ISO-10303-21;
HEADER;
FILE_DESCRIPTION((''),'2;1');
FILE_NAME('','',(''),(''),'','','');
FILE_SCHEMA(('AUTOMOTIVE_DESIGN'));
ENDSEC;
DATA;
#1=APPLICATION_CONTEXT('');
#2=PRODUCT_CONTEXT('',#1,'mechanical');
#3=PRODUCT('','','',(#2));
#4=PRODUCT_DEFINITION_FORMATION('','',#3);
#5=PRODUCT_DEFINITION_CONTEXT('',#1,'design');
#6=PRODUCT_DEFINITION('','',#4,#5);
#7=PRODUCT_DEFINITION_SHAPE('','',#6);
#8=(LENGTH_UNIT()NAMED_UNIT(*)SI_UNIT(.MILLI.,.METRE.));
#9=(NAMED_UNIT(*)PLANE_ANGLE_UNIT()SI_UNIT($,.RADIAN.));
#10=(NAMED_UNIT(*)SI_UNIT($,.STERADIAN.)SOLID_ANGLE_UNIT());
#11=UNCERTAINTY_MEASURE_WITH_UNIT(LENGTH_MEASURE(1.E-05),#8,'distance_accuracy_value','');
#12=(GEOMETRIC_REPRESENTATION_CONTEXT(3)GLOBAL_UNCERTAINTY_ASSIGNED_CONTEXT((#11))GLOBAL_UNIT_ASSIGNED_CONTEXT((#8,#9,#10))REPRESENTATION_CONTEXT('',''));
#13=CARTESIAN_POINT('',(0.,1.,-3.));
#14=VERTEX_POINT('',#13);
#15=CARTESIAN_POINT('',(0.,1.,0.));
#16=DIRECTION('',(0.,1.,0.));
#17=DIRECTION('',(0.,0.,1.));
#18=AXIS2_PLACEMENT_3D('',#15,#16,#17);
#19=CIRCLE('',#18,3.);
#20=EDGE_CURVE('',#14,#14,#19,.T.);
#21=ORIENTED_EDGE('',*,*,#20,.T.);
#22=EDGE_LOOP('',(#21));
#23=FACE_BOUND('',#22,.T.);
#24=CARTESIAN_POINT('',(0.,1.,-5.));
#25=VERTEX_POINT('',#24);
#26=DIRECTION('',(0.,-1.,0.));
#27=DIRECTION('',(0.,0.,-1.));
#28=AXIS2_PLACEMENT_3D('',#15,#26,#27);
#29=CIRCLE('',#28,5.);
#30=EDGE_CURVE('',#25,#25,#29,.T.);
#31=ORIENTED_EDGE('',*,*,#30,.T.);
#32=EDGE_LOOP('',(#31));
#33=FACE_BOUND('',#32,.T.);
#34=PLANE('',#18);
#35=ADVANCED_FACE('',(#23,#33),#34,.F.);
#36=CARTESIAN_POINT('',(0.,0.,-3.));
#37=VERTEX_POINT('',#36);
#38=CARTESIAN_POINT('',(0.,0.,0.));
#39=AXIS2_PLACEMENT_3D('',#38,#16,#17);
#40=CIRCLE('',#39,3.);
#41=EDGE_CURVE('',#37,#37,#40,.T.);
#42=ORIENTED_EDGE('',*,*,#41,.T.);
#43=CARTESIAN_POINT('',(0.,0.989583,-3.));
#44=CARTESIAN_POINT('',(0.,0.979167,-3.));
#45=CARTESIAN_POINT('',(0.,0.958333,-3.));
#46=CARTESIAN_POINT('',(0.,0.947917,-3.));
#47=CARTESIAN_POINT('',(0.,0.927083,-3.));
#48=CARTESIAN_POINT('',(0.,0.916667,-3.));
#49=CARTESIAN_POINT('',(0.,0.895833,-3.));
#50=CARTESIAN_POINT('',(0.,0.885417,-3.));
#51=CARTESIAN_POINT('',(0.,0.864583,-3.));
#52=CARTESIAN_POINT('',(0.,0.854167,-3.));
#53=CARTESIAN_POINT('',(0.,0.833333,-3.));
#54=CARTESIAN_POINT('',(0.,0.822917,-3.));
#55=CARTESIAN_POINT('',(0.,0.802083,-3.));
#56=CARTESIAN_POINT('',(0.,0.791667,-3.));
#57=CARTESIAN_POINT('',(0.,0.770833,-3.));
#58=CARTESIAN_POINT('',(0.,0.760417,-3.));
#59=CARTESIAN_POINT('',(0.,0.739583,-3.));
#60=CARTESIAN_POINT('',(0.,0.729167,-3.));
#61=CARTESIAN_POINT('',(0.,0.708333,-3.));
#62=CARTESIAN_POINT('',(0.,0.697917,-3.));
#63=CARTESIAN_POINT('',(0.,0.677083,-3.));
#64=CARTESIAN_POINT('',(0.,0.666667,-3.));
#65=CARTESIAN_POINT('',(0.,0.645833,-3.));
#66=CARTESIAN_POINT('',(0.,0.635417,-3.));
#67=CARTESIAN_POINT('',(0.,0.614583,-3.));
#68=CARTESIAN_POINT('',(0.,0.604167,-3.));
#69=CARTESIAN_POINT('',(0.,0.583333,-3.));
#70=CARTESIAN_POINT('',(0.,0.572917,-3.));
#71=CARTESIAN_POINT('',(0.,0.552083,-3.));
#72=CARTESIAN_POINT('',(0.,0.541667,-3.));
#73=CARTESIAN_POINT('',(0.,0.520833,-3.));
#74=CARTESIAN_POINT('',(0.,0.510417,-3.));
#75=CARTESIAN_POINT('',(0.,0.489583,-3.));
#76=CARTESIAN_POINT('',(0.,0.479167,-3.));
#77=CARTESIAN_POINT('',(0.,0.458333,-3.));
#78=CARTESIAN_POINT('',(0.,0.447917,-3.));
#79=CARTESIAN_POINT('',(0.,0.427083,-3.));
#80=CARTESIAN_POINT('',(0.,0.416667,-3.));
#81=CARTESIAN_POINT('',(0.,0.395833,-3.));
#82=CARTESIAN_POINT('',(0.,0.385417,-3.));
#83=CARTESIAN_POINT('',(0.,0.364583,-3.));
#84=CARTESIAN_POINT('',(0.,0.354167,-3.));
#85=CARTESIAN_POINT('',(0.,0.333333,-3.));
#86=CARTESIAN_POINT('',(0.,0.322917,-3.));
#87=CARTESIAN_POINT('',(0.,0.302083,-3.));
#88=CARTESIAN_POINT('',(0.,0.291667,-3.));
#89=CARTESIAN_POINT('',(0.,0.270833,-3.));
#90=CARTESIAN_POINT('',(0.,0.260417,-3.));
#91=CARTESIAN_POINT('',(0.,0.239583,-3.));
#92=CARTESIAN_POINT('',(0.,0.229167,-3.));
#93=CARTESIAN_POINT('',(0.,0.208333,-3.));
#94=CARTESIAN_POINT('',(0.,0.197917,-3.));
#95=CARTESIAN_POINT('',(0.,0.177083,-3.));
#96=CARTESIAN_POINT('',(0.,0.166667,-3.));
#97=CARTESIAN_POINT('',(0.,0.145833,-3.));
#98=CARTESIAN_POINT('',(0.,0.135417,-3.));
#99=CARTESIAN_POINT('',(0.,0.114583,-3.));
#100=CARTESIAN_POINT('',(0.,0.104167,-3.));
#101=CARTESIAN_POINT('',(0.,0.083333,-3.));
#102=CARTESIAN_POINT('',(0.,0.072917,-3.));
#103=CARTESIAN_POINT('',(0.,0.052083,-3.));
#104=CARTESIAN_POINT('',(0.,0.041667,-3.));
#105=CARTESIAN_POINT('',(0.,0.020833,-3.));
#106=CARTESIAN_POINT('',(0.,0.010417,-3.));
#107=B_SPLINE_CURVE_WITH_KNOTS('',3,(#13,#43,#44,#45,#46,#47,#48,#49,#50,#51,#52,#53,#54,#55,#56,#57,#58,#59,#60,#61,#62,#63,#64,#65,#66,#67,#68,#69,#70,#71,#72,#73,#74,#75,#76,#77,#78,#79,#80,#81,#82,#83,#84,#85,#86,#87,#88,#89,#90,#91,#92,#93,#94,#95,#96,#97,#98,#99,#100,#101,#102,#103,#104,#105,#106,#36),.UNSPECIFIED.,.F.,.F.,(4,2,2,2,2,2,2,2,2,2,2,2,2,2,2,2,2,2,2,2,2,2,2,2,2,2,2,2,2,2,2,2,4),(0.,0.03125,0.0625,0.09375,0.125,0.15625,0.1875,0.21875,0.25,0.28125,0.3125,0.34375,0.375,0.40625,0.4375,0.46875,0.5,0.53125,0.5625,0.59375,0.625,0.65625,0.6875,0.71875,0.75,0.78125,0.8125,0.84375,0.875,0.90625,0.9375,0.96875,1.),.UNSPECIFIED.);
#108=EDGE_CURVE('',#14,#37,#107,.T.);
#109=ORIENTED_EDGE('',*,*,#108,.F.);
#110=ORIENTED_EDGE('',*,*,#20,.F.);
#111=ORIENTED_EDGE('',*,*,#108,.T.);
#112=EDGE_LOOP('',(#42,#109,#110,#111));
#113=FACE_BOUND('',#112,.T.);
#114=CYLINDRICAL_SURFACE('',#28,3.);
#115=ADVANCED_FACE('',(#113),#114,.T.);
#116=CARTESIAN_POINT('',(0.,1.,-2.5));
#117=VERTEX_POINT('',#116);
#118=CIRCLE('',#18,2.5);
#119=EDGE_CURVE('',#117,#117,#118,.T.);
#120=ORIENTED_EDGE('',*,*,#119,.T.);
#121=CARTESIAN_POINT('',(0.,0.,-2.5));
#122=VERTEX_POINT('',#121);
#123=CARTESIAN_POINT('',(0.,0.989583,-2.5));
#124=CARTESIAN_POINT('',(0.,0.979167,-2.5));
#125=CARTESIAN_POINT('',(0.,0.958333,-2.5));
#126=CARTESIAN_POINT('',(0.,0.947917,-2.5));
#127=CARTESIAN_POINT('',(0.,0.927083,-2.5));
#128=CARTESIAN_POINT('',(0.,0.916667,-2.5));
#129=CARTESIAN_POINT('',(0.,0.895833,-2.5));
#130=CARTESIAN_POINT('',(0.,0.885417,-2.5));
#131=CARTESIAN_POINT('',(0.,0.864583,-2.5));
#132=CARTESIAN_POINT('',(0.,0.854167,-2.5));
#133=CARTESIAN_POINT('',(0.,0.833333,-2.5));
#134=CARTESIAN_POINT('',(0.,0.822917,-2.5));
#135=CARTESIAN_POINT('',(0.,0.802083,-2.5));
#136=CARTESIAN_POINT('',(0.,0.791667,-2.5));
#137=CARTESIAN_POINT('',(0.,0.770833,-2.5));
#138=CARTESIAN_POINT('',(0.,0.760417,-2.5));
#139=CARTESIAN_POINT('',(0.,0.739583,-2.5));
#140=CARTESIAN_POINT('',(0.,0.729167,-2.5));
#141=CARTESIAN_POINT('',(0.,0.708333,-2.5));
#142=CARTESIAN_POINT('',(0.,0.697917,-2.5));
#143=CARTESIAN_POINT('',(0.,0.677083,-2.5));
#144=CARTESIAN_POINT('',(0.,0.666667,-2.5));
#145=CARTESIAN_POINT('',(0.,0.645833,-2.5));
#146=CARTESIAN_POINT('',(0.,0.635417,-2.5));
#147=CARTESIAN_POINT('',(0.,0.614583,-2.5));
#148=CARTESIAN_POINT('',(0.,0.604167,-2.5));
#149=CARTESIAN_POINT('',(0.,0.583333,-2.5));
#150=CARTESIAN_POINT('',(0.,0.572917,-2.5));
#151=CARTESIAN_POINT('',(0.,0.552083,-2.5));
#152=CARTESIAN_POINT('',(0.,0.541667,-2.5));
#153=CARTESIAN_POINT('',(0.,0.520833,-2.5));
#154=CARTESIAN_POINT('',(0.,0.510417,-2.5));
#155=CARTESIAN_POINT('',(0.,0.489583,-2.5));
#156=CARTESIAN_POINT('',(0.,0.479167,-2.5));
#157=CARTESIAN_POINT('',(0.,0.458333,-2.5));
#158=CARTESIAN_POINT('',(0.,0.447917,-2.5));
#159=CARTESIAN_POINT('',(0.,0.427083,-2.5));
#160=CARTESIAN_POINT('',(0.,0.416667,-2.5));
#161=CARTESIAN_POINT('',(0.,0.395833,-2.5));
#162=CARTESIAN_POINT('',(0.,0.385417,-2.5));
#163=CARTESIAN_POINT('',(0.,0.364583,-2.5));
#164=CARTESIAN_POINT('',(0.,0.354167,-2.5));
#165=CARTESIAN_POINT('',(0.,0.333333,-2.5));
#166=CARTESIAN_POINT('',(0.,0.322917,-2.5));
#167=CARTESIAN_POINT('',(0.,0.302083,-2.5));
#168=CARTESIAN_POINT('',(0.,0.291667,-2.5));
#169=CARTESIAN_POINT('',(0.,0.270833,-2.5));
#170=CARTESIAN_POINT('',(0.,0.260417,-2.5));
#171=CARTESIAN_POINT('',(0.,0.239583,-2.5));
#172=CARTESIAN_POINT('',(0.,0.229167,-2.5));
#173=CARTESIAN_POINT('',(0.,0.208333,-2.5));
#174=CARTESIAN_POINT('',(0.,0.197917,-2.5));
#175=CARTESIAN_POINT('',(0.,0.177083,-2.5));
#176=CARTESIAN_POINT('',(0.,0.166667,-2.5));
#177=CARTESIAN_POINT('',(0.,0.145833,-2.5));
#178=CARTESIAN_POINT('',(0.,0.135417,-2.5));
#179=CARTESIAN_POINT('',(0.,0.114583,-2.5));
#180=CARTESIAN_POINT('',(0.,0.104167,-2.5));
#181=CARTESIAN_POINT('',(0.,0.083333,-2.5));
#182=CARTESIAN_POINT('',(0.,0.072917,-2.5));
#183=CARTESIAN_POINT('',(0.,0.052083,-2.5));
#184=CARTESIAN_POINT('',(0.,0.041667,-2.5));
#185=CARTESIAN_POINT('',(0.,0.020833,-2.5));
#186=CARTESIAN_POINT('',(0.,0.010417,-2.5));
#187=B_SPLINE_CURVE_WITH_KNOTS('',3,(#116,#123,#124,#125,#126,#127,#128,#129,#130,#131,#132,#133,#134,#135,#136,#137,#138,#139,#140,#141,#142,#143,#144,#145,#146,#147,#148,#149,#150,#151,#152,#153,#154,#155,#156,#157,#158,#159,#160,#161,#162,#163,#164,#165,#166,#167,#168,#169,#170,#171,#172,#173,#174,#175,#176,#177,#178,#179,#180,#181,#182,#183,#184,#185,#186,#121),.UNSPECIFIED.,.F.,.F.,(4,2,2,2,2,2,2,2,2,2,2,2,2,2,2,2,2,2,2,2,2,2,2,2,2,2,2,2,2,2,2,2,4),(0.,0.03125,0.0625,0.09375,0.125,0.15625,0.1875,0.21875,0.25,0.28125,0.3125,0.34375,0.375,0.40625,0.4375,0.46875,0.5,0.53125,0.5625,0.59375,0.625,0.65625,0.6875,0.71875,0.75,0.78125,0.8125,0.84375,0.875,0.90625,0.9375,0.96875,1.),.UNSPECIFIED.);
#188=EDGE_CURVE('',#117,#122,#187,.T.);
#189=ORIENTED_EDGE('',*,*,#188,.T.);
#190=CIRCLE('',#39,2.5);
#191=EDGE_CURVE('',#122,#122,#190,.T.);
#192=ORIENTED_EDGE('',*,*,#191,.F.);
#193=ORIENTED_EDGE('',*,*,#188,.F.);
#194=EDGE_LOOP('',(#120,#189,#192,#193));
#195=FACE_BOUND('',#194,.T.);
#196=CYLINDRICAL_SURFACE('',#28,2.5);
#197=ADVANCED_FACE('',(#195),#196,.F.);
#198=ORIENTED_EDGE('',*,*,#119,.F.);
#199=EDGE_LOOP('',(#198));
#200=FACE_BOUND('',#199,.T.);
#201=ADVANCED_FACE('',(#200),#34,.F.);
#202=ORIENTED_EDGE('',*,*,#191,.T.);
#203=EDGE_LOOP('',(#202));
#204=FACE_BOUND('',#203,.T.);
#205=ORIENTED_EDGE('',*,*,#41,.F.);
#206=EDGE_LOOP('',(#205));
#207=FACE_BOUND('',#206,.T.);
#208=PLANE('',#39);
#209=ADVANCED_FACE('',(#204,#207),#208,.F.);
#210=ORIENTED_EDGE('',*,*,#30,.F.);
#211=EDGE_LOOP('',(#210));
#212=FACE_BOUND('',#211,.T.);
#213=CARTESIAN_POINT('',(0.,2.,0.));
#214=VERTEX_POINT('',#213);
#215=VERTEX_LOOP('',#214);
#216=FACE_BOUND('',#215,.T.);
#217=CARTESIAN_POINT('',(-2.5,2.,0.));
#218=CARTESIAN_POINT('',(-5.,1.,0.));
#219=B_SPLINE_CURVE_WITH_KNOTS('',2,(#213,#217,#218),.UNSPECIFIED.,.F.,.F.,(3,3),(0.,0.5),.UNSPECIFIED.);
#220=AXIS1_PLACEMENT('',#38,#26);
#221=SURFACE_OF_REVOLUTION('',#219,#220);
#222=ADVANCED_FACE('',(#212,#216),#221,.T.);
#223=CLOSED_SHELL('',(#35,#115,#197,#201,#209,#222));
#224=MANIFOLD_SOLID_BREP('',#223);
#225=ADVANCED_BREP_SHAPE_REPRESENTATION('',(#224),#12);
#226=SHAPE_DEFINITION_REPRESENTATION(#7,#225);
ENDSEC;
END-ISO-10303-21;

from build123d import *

# Parameters (mm, degrees)
SKETCH1_R           = 3
SKETCH1_R_2         = 2.5
BOSS_EXTRUDE1_DEPTH = 1


with BuildPart() as part:
    # Sketch1 → Boss-Extrude1 (new body)
    with BuildSketch(Plane(origin=(0, 0, 0), x_dir=(1, 0, 0), z_dir=(0, 1, 0))):
        with Locations(Location((0, 0, 0), (0, 0, 270))):
            Circle(SKETCH1_R)
        with Locations(Location((0, 0, 0), (0, 0, 270))):
            Circle(SKETCH1_R_2, mode=Mode.SUBTRACT)
    extrude(amount=BOSS_EXTRUDE1_DEPTH)

    # Sketch4 → Revolve3 (revolve)
    with BuildSketch(Plane.XY, mode=Mode.PRIVATE) as revolve3_sk:
        with BuildLine():
            Line((0, 1), (-5, 1))
            add(Edge.make_bspline(
                [(-5, 1), (-2.5, 2), (0, 2)],
                knots=[0, 0, 0, 0.5, 0.5, 0.5], degree=2))
            Line((0, 2), (0, 1))
        make_face()
    revolve(revolve3_sk.sketch.rotate(Axis((0, 0, 0), (0, 1, 0)), 270), axis=Axis((0, 0, 0), (0, 1, 0)))


solid = part.part
